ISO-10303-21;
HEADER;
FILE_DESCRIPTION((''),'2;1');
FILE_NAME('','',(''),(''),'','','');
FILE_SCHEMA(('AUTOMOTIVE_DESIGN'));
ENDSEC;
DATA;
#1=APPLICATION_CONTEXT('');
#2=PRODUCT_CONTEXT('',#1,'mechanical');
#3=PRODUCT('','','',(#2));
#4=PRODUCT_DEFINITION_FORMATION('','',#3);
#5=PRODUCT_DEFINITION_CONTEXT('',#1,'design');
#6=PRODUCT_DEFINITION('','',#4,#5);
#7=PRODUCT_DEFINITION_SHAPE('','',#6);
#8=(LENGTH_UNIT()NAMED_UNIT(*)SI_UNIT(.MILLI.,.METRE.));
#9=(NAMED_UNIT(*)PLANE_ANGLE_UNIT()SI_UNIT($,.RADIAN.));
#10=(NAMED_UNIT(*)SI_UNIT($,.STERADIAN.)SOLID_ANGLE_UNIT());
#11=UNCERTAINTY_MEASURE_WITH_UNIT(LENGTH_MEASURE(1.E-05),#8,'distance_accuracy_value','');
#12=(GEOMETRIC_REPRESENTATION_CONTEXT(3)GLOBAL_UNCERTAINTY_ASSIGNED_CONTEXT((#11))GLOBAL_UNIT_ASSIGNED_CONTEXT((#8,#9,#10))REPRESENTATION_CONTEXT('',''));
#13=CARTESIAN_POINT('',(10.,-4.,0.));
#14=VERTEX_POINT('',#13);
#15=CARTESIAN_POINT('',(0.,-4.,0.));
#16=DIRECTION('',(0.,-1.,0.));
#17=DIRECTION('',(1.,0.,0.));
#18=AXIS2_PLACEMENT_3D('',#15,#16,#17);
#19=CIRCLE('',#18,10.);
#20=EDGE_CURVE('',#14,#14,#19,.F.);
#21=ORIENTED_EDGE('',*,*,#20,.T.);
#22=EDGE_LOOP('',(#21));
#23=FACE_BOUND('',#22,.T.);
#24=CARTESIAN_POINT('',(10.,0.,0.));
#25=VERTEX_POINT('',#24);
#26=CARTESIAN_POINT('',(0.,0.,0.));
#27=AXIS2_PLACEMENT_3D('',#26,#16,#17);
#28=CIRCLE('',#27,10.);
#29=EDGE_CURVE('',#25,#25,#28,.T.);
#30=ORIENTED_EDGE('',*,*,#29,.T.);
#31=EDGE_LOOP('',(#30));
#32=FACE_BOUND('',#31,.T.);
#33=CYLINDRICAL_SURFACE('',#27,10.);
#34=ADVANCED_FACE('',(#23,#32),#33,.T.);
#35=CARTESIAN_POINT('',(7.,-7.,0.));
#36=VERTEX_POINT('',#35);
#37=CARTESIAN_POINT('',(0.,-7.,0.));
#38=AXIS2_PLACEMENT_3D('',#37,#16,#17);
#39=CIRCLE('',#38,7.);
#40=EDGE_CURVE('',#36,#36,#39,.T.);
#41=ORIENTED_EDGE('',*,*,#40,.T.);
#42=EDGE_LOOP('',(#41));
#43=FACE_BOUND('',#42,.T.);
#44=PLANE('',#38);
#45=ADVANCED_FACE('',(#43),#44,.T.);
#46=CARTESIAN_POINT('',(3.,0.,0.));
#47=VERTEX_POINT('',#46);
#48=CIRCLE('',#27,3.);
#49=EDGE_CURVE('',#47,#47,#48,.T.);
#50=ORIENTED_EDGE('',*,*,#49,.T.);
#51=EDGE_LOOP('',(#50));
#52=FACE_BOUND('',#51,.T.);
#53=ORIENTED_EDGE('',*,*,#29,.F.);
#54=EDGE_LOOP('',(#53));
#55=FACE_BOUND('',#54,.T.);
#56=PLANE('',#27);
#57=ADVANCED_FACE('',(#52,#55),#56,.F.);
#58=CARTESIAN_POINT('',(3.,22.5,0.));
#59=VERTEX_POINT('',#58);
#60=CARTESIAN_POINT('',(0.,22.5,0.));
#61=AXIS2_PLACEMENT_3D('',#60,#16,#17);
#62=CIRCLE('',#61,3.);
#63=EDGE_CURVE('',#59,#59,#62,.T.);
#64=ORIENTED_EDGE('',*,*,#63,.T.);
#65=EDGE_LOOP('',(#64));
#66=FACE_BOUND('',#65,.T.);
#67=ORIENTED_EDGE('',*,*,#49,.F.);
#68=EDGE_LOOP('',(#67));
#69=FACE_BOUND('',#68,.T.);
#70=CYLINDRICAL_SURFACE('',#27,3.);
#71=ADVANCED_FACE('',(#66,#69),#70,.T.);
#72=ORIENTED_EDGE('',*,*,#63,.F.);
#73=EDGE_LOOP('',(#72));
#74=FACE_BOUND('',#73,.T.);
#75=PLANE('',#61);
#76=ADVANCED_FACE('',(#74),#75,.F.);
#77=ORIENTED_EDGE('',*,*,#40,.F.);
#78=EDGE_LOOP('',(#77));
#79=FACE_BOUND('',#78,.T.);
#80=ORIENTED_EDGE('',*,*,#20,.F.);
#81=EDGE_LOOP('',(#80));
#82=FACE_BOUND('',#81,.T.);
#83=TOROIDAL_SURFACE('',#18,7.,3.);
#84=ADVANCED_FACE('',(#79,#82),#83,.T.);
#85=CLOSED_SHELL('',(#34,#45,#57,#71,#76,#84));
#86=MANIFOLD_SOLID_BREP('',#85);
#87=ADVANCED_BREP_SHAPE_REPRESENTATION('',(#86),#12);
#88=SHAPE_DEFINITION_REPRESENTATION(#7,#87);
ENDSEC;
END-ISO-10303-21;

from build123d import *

# Parameters (mm, degrees)
ESQUISSE1_W = 3
ESQUISSE1_H = 22.5
CONG_1_R    = 3


with BuildPart() as part:
    # Esquisse1 → Révolution1 (revolve)
    with BuildSketch(Plane.XY):
        Polygon((0, -7), (0, 0), (-3, 0), (-10, 0), (-10, -7), align=None)
        with Locations((-1.5, 11.25)):
            Rectangle(ESQUISSE1_W, ESQUISSE1_H)
    revolve(axis=Axis((0, 0, 0), (0, 1, 0)))

    # Congé1
    cong_1_edges = [part.edges().sort_by_distance(p)[0] for p in [
        (10, -7, 0),
    ]]
    fillet(cong_1_edges, radius=CONG_1_R)


solid = part.part
